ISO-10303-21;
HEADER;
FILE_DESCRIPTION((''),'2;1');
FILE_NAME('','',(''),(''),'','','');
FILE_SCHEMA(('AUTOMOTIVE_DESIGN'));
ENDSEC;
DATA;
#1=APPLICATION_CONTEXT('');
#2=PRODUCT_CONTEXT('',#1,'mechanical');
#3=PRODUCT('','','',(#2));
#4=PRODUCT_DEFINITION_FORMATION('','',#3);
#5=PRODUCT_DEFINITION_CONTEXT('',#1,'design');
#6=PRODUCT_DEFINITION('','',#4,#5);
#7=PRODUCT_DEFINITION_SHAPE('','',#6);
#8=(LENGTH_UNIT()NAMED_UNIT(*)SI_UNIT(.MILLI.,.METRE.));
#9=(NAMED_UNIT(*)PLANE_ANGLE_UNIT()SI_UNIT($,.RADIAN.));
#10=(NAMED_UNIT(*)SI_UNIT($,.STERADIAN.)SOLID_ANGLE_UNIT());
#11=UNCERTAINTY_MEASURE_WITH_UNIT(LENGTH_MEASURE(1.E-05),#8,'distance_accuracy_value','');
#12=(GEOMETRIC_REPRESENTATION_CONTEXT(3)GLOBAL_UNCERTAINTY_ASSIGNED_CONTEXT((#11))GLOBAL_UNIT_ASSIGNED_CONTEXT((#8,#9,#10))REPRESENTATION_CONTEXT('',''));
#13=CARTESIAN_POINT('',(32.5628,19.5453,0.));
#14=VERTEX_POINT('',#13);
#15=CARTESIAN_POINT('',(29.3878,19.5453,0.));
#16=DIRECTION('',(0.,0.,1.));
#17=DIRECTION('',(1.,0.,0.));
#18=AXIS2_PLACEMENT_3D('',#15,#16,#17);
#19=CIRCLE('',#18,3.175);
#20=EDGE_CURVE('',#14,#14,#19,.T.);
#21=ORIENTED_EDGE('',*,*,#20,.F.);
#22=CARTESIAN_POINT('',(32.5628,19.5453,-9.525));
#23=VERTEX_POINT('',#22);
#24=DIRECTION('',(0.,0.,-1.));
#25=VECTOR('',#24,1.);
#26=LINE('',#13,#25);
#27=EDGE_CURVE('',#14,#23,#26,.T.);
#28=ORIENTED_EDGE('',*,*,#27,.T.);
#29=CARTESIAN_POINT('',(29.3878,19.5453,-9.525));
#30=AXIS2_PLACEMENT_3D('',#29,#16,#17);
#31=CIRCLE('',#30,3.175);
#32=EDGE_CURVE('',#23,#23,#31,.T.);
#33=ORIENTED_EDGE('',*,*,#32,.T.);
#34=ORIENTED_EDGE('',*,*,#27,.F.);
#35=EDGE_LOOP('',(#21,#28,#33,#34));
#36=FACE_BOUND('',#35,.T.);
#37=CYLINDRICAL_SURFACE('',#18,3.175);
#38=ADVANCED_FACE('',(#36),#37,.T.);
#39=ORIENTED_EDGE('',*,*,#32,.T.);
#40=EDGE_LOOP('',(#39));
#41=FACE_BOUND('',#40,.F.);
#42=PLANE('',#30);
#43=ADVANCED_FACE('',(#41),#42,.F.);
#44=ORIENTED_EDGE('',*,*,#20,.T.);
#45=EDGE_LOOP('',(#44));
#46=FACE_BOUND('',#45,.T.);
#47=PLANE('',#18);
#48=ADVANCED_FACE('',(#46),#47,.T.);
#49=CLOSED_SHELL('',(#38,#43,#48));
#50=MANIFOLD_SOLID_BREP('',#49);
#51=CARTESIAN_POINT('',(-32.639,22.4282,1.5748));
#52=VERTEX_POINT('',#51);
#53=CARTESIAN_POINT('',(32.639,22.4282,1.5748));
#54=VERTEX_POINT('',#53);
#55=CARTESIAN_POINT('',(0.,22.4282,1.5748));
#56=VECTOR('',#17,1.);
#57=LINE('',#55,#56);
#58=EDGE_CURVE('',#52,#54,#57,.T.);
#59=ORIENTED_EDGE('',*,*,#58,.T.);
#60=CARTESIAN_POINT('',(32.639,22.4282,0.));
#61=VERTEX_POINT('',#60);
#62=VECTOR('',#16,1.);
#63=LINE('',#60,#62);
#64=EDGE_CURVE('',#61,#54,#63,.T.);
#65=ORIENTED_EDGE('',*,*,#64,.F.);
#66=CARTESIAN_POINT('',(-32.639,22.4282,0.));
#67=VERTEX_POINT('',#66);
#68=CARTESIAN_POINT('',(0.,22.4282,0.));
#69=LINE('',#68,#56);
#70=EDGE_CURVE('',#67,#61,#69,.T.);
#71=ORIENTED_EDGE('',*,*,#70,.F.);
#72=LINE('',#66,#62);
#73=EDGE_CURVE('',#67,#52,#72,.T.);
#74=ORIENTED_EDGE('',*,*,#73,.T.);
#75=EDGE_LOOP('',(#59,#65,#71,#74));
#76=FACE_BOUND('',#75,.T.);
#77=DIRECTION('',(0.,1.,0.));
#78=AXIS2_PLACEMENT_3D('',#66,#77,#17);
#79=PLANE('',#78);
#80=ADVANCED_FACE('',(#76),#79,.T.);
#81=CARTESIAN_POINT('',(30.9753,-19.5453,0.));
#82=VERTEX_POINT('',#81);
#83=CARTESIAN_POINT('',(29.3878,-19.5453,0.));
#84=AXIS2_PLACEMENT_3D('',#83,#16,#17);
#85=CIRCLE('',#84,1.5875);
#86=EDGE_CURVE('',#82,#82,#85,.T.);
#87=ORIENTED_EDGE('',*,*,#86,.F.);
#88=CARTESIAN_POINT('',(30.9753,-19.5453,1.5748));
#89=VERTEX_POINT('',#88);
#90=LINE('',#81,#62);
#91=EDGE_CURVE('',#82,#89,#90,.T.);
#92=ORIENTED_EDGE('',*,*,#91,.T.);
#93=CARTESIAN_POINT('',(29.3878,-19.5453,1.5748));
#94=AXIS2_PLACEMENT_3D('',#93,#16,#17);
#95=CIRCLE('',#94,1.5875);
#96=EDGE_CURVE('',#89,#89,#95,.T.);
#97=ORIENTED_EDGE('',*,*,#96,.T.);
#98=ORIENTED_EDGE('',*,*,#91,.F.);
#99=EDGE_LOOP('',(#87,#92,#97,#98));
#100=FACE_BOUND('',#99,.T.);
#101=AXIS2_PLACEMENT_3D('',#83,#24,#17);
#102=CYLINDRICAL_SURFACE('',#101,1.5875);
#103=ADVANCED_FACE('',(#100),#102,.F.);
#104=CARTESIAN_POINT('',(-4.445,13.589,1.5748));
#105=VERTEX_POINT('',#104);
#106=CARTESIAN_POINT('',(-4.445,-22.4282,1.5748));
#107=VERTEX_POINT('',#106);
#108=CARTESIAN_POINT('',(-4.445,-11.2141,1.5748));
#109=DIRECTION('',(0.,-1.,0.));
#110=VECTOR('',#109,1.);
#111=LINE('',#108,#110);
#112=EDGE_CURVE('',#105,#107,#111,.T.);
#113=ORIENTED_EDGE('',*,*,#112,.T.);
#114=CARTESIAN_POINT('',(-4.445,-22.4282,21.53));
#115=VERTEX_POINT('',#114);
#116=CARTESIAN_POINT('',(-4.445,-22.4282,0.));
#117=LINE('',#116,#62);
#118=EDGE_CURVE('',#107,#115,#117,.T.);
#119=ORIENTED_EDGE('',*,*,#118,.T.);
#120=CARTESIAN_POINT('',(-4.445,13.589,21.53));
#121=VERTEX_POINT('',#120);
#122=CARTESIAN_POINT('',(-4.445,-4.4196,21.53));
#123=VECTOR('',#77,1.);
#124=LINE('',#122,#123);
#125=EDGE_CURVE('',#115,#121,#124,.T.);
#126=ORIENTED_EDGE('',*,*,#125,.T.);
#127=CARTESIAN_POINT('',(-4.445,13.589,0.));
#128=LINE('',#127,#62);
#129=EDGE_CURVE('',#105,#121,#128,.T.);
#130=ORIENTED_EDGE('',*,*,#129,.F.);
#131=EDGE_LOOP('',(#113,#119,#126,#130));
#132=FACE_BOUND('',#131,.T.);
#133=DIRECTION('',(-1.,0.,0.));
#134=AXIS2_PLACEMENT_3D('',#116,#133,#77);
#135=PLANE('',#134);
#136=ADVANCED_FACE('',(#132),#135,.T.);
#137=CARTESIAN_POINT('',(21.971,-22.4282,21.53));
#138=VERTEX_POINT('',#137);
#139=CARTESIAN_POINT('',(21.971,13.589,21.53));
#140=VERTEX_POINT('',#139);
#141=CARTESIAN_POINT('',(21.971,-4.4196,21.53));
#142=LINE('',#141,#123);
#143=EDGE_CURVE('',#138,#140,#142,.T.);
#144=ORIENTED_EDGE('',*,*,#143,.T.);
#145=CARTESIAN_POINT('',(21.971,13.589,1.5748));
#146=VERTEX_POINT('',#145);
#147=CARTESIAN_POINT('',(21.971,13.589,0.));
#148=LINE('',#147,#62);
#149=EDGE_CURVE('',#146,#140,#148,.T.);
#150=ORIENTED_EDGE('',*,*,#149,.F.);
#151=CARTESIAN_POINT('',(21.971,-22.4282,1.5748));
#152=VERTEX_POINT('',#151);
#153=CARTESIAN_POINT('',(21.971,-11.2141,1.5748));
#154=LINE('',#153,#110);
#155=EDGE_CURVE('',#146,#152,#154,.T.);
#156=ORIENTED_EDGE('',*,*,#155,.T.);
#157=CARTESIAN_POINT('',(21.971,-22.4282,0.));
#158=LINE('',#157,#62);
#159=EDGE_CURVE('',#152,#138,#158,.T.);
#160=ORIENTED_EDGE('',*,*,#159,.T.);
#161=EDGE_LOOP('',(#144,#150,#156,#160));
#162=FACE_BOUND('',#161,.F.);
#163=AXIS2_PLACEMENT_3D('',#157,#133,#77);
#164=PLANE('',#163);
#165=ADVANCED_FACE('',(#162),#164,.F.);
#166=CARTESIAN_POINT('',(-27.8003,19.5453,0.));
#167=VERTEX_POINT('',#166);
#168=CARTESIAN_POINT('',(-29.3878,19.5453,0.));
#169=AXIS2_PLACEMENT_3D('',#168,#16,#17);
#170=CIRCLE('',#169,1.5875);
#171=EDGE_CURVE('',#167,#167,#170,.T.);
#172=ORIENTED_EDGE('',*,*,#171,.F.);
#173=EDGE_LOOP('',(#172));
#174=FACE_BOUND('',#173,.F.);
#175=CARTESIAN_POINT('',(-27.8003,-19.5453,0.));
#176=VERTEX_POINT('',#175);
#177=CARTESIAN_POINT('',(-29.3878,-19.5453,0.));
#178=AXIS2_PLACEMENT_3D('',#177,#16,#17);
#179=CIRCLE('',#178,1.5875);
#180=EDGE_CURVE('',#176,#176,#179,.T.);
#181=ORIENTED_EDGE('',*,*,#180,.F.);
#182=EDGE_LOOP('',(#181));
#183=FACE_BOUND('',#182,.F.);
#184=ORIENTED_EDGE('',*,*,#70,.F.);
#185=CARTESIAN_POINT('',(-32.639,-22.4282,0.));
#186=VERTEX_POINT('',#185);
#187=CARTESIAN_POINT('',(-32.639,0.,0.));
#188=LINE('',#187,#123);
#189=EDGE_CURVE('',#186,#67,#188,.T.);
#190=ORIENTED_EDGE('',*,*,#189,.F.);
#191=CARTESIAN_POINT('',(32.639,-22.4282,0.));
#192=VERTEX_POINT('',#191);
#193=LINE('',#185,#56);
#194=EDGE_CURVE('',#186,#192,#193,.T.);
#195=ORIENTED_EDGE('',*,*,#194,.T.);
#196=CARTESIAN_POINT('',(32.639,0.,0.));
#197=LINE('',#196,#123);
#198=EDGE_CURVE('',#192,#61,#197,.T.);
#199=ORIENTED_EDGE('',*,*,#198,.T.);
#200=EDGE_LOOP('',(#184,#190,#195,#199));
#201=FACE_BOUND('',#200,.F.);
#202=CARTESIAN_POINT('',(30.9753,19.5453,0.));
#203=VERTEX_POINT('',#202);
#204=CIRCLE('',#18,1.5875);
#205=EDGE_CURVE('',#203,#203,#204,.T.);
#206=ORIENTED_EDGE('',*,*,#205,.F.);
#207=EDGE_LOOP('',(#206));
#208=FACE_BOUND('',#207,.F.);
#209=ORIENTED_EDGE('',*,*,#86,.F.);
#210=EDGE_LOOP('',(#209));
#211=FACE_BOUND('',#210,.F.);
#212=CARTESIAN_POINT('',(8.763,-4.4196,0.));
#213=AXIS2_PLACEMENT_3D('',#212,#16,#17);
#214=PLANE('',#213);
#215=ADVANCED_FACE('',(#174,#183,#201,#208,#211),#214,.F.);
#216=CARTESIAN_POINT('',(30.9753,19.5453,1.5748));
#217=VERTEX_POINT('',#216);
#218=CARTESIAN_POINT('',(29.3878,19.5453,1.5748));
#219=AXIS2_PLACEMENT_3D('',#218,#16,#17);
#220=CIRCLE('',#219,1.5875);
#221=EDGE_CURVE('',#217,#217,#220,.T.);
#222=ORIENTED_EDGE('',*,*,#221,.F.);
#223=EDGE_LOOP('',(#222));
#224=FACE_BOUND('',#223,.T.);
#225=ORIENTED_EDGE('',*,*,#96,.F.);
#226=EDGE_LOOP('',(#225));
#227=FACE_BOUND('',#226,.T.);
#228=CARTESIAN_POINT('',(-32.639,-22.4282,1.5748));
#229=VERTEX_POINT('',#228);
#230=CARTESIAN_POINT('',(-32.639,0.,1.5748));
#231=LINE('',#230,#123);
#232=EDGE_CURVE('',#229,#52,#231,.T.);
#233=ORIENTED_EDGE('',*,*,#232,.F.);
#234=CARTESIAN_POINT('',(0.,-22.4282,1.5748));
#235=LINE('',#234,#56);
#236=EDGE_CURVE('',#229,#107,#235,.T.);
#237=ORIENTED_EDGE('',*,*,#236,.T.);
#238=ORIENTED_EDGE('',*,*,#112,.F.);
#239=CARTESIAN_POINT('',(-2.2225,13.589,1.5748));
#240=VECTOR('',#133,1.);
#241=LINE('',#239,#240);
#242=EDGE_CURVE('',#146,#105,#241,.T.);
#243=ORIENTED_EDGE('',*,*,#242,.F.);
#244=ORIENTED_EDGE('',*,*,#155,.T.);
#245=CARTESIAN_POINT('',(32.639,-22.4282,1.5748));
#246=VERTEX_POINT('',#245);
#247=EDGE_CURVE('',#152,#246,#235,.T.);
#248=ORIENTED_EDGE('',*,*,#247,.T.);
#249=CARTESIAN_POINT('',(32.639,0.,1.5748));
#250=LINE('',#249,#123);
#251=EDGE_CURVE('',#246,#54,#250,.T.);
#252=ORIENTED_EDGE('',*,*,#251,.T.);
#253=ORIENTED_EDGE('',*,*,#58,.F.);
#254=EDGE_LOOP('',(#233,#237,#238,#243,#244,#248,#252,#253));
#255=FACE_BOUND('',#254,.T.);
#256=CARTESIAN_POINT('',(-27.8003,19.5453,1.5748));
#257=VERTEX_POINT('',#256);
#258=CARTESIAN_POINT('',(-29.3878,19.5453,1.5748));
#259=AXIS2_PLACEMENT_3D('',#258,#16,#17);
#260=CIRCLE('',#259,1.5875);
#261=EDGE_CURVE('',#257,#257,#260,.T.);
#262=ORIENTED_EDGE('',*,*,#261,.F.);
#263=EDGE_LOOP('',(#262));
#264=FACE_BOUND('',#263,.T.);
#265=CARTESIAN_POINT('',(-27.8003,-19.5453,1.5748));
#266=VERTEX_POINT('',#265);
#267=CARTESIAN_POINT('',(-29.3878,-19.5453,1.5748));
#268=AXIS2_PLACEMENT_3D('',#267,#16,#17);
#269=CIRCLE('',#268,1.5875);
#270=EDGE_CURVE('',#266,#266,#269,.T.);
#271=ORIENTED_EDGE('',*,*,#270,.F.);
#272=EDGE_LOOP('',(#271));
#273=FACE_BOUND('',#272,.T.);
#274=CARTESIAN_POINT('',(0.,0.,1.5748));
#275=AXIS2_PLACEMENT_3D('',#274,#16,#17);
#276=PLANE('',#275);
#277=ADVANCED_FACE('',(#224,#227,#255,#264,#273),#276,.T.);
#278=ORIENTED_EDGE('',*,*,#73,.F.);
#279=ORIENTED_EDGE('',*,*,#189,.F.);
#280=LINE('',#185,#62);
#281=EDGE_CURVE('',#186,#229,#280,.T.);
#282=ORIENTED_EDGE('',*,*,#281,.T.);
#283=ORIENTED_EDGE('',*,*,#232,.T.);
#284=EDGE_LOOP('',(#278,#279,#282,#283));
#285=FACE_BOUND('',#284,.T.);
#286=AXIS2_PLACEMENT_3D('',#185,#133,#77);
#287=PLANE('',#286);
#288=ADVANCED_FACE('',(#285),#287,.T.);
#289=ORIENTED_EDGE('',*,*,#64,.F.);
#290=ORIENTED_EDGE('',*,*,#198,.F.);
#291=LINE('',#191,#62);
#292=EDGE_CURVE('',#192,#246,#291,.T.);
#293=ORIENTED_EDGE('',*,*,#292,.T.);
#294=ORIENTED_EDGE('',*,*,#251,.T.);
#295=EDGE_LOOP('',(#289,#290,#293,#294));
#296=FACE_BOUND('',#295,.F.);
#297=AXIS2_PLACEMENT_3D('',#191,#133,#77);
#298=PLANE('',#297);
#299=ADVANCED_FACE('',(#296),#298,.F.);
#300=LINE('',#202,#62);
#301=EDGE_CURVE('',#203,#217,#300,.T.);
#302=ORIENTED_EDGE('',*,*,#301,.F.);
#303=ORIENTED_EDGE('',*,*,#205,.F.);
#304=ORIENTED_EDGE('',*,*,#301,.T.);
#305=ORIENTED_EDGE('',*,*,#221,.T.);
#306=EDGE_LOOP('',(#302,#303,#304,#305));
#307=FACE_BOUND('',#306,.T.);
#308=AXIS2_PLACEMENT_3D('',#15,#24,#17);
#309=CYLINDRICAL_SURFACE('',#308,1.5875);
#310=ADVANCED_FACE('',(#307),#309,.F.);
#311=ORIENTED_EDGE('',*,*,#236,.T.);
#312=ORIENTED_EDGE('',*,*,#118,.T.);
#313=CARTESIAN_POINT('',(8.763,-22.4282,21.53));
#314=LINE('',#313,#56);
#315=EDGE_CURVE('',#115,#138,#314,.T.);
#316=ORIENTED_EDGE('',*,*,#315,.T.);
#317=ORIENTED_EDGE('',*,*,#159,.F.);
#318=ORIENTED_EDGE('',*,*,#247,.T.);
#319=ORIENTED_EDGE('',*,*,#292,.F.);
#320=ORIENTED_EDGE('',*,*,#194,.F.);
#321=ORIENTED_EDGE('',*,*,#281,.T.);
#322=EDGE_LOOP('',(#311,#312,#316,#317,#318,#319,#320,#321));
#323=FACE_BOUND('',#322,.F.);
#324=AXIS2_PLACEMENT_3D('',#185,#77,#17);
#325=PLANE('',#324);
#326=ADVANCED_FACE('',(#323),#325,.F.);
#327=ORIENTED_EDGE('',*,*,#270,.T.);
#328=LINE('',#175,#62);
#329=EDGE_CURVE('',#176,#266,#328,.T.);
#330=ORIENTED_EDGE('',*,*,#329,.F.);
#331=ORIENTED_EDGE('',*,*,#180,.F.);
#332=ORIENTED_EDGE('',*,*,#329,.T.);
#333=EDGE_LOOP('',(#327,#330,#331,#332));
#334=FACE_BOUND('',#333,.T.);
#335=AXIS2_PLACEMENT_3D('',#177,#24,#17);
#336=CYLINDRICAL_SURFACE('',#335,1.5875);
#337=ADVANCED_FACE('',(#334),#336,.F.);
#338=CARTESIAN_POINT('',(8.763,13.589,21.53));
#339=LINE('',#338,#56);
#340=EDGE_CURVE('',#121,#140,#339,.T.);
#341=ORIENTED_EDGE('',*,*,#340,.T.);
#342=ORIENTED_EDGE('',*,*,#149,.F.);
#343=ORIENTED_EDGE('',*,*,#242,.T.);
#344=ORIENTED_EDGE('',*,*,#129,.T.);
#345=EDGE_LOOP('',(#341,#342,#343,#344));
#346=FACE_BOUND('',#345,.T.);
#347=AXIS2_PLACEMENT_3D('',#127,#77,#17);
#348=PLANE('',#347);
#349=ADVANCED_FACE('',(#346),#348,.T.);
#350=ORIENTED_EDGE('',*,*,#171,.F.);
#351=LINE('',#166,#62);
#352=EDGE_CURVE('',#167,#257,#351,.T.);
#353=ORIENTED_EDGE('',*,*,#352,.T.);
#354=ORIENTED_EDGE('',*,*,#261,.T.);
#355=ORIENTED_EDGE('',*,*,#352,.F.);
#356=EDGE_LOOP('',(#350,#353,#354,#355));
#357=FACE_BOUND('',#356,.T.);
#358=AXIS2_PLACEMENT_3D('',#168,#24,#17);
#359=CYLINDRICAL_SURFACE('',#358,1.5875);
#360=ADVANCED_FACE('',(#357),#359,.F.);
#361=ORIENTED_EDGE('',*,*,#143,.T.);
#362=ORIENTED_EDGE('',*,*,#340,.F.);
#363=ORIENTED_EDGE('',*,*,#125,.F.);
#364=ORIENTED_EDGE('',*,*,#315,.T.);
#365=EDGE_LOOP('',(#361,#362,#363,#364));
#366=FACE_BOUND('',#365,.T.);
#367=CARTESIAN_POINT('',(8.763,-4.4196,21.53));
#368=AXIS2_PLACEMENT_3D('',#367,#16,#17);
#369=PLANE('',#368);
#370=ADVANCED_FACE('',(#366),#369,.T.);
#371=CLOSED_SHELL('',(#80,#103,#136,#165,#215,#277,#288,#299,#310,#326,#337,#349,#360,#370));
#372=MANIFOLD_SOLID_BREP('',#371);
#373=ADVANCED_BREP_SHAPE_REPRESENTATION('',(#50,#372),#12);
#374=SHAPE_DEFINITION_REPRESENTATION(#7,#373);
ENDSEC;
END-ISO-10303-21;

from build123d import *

# Parameters (mm, degrees)
F0_W     = 65.278
F0_H     = 44.8564
F0_R     = 1.5875
F1_DEPTH = 1.5748
F2_W     = 26.416
F2_H     = 36.0172
F3_DEPTH = 21.53
F4_R     = 3.175
F5_DEPTH = 9.525


with BuildPart() as f1:
    # F0 (on Top) → F1 (new body)
    with BuildSketch(Plane.XY):
        Rectangle(F0_W, F0_H)
        with Locations((-29.3878, -19.5453)):
            Circle(F0_R, mode=Mode.SUBTRACT)
        with Locations((29.3878, -19.5453)):
            Circle(F0_R, mode=Mode.SUBTRACT)
        with Locations((-29.3878, 19.5453)):
            Circle(F0_R, mode=Mode.SUBTRACT)
        with Locations((29.3878, 19.5453)):
            Circle(F0_R, mode=Mode.SUBTRACT)
    extrude(amount=F1_DEPTH)

    # F2 (on Top) → F3 (join)
    with BuildSketch(Plane.XY):
        with Locations((8.763, -4.4196)):
            Rectangle(F2_W, F2_H)
    extrude(amount=F3_DEPTH)


with BuildPart() as f5:
    # F4 (on Top) → F5 (new body)
    with BuildSketch(Plane.XY):
        with Locations((29.3878, 19.5453)):
            Circle(F4_R)
    extrude(amount=-F5_DEPTH)


solid = Compound([f1.part, f5.part])
